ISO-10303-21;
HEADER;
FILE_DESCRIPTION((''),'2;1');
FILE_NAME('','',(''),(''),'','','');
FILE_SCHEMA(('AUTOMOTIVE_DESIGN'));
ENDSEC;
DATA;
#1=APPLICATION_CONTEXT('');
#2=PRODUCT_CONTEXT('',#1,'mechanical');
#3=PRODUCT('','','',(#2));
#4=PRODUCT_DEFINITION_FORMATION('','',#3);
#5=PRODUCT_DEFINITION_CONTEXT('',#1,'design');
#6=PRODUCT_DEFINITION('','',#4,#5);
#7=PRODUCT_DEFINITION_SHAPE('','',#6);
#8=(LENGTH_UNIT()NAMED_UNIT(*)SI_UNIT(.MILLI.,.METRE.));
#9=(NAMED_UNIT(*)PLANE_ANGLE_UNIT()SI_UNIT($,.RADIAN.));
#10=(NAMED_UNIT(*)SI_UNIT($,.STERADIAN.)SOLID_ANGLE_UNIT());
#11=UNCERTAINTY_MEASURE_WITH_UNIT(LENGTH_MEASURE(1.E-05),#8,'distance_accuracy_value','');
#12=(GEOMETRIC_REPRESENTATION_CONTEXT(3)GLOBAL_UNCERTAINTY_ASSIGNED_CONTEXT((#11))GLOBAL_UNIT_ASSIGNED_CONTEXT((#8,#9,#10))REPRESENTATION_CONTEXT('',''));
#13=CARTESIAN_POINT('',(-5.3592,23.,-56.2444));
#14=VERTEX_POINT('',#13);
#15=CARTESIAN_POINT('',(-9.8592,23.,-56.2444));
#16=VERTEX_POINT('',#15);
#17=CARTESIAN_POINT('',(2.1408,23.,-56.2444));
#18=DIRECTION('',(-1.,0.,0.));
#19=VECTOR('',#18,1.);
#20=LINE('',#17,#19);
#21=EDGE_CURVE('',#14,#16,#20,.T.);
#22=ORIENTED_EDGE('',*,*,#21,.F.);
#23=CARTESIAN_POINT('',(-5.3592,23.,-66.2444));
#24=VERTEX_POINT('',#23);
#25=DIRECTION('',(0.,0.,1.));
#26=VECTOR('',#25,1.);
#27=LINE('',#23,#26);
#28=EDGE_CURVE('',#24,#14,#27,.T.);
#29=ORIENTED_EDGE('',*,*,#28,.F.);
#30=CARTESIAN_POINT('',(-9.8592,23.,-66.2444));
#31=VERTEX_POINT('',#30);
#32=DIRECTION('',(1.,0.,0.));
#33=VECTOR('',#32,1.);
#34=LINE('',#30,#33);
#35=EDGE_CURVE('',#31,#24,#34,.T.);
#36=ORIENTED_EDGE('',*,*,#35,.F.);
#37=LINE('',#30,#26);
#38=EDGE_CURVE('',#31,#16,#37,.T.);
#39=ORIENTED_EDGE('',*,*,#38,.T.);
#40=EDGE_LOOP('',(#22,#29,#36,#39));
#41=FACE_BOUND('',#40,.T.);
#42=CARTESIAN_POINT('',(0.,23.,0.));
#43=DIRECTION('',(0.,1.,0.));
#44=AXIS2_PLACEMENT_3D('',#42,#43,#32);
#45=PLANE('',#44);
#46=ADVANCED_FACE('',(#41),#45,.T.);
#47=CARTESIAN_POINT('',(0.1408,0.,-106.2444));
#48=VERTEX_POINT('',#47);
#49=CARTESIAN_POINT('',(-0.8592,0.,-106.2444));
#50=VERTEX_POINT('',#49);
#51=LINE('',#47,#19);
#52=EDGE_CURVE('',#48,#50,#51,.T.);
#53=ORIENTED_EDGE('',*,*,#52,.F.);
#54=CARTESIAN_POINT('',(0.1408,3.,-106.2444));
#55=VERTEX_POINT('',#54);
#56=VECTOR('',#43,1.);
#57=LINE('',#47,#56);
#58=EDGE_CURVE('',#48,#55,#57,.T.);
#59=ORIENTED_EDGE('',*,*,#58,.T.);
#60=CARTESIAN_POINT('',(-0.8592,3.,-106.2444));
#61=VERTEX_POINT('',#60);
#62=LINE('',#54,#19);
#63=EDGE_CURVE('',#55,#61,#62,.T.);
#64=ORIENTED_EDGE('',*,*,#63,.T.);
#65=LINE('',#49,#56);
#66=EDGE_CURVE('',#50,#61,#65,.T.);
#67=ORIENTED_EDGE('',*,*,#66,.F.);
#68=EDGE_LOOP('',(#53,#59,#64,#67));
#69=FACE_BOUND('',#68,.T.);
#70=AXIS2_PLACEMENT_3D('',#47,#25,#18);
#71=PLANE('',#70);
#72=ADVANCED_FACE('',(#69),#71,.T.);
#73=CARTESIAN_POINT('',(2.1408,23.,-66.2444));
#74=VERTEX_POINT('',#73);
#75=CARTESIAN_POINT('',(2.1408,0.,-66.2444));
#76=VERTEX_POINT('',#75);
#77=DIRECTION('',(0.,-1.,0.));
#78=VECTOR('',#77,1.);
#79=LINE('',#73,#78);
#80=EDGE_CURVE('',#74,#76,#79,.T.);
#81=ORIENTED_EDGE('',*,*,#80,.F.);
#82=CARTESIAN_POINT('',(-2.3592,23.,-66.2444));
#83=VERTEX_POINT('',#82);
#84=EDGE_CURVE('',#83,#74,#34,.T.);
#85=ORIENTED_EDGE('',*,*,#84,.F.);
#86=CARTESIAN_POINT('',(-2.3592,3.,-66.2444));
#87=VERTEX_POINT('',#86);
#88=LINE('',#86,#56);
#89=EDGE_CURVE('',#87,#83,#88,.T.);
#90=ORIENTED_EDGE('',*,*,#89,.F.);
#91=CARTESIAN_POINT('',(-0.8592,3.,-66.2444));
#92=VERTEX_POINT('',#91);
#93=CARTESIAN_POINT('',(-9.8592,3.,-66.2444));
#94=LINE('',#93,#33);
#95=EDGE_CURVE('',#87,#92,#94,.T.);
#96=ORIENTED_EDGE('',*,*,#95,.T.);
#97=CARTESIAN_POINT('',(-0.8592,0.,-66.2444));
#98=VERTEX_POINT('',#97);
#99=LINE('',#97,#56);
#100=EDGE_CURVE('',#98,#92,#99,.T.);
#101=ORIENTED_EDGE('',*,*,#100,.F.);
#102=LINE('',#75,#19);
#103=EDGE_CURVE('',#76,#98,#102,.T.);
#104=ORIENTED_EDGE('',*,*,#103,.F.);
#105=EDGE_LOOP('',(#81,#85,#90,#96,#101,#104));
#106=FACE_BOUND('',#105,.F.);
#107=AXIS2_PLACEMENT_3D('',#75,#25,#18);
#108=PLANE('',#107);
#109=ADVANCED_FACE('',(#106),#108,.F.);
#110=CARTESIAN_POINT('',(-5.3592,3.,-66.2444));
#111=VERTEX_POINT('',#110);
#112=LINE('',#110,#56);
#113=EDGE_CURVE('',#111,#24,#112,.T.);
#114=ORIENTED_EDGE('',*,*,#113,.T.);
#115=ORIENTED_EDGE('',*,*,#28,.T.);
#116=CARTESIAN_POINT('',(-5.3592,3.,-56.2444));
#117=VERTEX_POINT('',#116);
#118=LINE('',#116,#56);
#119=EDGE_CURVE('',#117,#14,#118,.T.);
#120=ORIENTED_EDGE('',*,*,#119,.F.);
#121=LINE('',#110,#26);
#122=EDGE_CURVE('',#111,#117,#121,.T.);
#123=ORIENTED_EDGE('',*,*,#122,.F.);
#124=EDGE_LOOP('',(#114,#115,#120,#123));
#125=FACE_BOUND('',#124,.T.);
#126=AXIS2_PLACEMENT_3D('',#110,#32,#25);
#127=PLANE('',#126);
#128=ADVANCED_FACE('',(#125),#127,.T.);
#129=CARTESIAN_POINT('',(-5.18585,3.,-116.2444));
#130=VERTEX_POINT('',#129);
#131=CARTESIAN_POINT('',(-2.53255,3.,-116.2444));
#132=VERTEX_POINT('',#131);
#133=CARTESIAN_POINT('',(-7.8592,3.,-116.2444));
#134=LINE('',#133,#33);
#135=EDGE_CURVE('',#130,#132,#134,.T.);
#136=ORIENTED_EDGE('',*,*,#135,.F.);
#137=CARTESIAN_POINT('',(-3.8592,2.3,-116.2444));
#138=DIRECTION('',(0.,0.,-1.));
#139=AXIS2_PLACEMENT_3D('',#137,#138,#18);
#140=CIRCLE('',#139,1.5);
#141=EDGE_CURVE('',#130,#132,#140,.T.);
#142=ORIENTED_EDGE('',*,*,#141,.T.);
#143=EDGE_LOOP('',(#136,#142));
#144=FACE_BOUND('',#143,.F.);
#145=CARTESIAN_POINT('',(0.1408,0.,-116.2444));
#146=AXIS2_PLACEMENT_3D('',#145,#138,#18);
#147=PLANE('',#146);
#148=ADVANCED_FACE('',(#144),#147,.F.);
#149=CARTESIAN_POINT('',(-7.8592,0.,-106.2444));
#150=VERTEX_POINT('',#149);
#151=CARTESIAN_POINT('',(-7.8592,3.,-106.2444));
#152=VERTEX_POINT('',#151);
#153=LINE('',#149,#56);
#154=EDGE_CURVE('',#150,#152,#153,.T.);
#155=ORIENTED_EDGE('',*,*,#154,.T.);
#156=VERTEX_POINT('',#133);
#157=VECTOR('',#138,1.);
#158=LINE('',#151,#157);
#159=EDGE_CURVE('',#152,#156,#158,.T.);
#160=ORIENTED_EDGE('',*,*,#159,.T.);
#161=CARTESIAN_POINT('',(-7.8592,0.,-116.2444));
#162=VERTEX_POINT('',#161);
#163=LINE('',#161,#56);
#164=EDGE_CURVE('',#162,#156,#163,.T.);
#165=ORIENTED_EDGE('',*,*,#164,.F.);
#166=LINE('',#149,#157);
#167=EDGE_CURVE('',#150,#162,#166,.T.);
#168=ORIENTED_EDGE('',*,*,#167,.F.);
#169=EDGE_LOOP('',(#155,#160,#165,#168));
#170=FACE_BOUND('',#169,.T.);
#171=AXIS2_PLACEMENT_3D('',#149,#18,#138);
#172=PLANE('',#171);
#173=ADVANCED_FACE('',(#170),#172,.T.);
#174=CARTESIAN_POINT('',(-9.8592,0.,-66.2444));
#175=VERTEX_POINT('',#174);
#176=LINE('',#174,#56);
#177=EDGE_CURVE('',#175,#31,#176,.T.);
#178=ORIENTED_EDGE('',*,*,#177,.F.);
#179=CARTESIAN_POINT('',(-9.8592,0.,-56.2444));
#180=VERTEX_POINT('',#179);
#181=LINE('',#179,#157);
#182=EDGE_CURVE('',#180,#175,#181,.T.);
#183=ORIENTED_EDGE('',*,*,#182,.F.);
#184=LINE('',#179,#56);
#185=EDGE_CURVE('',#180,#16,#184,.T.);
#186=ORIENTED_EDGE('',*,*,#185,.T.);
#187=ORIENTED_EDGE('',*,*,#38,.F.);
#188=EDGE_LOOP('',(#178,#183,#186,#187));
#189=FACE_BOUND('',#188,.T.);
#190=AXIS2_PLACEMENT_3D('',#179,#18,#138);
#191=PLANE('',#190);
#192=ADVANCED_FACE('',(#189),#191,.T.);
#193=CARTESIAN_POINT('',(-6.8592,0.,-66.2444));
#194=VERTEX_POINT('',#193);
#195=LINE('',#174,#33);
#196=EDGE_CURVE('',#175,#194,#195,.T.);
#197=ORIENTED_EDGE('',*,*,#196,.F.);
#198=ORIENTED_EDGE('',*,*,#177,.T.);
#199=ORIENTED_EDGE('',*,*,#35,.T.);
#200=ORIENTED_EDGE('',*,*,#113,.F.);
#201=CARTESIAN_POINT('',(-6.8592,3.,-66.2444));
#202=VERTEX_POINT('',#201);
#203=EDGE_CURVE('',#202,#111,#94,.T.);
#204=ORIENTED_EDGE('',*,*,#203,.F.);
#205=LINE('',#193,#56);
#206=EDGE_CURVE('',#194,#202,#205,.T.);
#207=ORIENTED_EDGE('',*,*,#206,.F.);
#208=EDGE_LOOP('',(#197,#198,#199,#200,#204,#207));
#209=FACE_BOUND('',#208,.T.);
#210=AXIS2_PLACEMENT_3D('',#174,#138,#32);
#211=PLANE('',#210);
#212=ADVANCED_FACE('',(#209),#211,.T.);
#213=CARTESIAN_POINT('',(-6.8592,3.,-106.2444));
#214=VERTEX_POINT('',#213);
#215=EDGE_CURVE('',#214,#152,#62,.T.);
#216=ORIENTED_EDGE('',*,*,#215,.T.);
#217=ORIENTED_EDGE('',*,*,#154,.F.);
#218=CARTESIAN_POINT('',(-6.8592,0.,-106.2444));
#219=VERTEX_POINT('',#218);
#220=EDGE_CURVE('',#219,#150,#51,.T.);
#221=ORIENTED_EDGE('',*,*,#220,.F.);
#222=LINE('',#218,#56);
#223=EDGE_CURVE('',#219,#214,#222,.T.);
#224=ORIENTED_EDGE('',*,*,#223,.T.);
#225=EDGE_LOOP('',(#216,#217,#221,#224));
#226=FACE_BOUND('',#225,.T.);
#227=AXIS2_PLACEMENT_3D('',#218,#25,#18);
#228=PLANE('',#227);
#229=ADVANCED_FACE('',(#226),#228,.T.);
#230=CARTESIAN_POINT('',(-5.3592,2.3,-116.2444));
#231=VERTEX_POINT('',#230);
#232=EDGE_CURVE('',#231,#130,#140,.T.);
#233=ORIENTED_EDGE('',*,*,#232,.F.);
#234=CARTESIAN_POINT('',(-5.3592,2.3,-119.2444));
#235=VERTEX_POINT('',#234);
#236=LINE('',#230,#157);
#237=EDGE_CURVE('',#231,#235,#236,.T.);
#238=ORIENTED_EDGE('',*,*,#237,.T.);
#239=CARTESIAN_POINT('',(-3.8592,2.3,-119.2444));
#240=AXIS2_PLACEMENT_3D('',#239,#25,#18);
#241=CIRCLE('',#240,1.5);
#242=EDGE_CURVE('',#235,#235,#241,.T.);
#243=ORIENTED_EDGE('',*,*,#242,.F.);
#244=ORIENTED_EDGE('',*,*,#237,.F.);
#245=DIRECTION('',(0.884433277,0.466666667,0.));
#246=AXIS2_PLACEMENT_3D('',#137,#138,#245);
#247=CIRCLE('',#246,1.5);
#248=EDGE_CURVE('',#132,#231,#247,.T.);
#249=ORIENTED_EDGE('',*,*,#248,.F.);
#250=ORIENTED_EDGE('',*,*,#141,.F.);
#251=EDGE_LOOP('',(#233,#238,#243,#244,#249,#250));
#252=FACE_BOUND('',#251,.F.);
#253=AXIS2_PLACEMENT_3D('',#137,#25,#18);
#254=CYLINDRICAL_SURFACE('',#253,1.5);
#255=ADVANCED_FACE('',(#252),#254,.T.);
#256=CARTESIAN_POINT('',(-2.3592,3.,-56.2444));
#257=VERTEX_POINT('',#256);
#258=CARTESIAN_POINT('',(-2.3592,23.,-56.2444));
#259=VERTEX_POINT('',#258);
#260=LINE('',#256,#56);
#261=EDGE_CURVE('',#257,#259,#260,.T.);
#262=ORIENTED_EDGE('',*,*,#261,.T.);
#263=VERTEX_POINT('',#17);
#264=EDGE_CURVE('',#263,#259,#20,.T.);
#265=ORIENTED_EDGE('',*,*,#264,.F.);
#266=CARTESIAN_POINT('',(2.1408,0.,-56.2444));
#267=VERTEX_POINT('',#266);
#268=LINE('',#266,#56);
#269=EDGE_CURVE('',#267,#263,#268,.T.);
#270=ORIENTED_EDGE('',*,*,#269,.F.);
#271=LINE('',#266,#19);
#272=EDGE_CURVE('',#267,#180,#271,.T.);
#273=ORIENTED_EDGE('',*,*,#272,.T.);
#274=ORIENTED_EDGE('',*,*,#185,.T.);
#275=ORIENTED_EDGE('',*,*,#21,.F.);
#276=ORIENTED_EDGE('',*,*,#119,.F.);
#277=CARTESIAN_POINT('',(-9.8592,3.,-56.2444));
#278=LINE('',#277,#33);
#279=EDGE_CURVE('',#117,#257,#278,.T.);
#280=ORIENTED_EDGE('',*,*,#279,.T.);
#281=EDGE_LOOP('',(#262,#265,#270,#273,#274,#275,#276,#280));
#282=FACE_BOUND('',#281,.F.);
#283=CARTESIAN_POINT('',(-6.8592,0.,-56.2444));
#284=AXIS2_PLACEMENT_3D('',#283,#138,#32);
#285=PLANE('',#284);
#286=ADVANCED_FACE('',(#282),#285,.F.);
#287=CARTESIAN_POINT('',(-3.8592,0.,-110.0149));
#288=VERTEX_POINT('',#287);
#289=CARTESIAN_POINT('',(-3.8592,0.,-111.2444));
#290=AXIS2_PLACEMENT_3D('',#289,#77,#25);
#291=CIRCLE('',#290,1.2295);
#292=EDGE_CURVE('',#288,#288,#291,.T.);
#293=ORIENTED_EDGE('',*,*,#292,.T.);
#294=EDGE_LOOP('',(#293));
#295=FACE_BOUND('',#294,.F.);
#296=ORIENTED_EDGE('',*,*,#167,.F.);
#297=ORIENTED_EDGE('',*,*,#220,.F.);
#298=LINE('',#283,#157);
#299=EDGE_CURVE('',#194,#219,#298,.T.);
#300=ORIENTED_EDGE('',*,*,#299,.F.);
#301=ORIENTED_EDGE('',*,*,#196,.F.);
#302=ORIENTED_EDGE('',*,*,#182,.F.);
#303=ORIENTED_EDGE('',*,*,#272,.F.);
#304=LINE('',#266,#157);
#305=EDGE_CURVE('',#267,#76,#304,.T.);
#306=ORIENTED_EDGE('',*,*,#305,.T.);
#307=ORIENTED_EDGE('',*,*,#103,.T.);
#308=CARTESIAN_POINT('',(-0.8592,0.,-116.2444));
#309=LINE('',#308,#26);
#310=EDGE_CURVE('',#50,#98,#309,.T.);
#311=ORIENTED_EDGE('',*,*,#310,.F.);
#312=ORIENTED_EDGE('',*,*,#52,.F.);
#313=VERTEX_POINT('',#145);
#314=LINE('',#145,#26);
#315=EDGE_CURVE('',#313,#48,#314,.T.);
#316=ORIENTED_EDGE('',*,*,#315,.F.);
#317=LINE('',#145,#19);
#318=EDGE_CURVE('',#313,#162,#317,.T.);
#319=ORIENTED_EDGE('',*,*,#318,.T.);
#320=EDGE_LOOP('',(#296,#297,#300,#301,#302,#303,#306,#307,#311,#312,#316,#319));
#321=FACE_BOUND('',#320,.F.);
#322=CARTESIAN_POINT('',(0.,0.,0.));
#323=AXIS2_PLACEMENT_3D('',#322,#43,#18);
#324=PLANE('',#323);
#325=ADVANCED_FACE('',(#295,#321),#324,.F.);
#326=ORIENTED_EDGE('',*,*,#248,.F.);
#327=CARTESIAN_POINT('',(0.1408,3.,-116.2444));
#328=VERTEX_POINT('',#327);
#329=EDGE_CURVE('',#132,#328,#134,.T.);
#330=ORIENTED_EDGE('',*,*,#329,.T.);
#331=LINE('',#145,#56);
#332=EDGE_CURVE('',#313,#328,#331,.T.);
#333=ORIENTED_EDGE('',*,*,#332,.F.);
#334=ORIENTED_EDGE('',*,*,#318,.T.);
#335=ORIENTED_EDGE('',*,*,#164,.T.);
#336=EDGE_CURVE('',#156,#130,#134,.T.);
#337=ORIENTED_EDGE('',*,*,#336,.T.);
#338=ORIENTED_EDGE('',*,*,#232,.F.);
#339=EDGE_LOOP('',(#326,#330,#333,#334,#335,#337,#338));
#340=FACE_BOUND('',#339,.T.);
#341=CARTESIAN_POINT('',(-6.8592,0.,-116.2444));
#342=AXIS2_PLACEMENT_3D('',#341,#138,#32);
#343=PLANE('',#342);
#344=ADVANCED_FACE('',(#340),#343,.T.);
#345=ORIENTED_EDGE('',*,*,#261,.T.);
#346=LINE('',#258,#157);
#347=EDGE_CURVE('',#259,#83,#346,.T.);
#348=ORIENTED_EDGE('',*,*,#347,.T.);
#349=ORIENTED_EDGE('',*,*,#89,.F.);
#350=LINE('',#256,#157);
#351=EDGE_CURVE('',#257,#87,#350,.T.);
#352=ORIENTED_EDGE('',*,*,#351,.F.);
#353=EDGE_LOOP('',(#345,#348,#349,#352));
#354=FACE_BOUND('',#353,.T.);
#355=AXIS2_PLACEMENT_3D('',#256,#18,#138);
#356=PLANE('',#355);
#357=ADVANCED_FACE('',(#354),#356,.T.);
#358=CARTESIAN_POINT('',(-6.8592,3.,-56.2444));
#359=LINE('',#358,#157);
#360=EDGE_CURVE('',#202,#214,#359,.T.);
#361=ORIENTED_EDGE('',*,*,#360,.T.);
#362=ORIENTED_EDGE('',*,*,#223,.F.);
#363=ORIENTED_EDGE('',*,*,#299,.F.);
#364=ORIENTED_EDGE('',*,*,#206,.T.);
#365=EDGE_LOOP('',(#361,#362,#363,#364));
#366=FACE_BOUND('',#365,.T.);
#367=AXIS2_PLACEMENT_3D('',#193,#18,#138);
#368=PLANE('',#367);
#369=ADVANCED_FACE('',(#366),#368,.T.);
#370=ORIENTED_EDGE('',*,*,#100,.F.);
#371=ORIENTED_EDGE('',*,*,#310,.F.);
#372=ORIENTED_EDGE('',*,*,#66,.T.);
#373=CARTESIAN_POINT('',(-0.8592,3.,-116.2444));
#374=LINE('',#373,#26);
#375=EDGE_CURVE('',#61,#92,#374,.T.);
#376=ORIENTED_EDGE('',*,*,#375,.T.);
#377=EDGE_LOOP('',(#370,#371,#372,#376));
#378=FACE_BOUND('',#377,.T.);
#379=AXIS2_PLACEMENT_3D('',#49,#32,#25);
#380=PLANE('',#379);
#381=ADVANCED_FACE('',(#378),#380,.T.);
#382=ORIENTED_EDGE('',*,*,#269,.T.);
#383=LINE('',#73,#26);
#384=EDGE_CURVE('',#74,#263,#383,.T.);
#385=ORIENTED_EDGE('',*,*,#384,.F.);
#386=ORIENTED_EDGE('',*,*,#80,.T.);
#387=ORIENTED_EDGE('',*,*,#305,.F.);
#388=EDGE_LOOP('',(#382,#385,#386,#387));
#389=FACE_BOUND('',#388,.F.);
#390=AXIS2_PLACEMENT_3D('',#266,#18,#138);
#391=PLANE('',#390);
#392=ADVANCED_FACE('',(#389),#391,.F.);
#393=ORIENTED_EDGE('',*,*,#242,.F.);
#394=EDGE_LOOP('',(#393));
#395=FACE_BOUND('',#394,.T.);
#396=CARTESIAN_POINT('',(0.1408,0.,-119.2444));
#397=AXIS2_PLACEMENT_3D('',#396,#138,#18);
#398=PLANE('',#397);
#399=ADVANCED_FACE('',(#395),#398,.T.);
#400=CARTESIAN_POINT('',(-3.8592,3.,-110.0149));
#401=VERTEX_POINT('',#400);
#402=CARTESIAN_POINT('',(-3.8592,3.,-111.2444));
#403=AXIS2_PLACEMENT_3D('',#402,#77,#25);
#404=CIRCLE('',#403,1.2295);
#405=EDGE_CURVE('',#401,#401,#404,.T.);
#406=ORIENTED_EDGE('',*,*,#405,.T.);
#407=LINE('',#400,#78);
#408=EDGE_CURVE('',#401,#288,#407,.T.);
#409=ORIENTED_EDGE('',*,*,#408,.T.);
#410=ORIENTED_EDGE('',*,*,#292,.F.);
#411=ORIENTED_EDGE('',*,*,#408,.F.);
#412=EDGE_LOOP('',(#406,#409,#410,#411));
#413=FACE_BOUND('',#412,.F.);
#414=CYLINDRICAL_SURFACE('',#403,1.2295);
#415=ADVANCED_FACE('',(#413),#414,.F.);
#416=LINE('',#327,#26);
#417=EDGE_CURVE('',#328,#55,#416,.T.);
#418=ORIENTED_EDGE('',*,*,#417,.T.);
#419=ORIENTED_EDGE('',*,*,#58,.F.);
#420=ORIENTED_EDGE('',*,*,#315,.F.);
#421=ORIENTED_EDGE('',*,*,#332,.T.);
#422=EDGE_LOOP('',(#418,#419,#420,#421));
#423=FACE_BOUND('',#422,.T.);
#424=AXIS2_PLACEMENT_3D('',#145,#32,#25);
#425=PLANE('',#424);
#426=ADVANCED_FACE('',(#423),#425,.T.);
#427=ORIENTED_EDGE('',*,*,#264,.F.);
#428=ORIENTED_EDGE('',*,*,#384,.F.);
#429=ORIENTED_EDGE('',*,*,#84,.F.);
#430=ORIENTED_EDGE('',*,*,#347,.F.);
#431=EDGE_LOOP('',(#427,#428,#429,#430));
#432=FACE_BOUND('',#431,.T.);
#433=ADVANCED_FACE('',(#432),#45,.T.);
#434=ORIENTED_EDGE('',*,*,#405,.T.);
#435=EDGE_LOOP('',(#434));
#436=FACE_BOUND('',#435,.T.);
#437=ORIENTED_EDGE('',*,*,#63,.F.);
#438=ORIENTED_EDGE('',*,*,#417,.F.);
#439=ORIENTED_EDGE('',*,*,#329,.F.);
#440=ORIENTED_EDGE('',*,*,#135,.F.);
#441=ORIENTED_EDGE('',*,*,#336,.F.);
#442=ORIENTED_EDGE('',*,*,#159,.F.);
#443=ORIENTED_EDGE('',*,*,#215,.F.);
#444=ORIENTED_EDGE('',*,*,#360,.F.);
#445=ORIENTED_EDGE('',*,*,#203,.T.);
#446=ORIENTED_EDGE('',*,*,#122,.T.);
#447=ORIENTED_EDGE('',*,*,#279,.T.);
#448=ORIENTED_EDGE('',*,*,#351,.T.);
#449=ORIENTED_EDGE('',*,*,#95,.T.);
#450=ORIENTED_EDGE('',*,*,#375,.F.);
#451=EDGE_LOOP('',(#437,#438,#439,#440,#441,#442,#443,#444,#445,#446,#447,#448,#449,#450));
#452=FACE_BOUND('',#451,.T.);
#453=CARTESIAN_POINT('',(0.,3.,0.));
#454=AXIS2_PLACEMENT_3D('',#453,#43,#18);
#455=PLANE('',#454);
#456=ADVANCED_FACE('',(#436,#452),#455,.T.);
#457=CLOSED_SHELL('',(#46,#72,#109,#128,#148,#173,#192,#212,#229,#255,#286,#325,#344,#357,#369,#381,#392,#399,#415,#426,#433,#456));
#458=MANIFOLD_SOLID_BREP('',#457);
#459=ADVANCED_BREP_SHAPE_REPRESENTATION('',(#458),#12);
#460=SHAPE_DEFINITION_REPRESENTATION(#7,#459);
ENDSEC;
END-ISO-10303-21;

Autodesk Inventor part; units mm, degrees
ref_plane "YZ Plane" through (0, 0, 0) normal (1, 0, 0) x (0, 1, 0)
ref_plane "XZ Plane" through (0, 0, 0) normal (0, 1, 0) x (-1, 0, 0)
ref_plane "XY Plane" through (0, 0, 0) normal (0, 0, 1) x (1, 0, 0)
sketch "Skizze1" plane through (0, 0, 0) normal (0, 1, 0) x (-1, 0, 0)
  line L0 (6.8592, -116.2444) -> (0.8592, -116.2444)
  line L1 (0.8592, -116.2444) -> (0.8592, -56.2444)
  line L2 (6.8592, -56.2444) -> (6.8592, -116.2444)
  line L3 (7.8592, -116.2444) -> (-0.1408, -116.2444)
  line L4 (-0.1408, -116.2444) -> (-0.1408, -106.2444)
  line L5 (-0.1408, -106.2444) -> (7.8592, -106.2444)
  line L6 (7.8592, -106.2444) -> (7.8592, -116.2444)
  line L7 (3.8592, 157.3916) -> (3.8592, -262.6084)
  line L8 (6.8592, -56.2444) -> (0.8592, -56.2444)
  line L9 (0.8592, -56.2444) -> (-2.1408, -56.2444)
  line L10 (-2.1408, -56.2444) -> (-2.1408, -66.2444)
  line L11 (-2.1408, -66.2444) -> (0.8592, -66.2444)
  line L12 (0.8592, -66.2444) -> (0.8592, -56.2444)
  line L13 (6.8592, -56.2444) -> (9.8592, -56.2444)
  line L14 (9.8592, -56.2444) -> (9.8592, -66.2444)
  line L15 (9.8592, -66.2444) -> (6.8592, -66.2444)
  line L16 (6.8592, -66.2444) -> (6.8592, -56.2444)
  point P0 (0, 0)
  point P1 (0.8592, -106.2444)
  point P2 (6.8592, -106.2444)
  point P3 (6.8592, -116.2444)
  point P4 (3.8592, -116.2444)
  point P5 (6.8592, -66.2444)
  point P6 (0.8592, -66.2444)
  dimension "d1" = 60
  dimension "d9" = 6
  dimension "d25" = 8
  dimension "d26" = 10
  dimension "d27" = 1
  dimension "d44" = 3
  dimension "d45" = 10
  dimension "d46" = 3
extrude "Extrusion1" add sketch "Skizze1" along normal blind 3
sketch "Skizze2" plane through (0, 3, 0) normal (0, 1, 0) x (1, 0, 0)
  line L0 (-3.8592, 111.2444) -> (-6.8592, 111.2444) construction
  line L1 (-3.8592, 111.2444) -> (-0.8592, 111.2444) construction
  line L2 (-0.8592, 66.2444) -> (-0.8592, 106.2444) construction
  line L3 (-6.8592, 106.2444) -> (-6.8592, 66.2444) construction
  line L4 (0.1408, 116.2444) -> (-7.8592, 116.2444) projected
  point P0 (0, 0)
  point P1 (-0.8592, 56.2444)
  point P2 (-6.8592, 56.2444)
  point P3 (-0.8592, 16.2444)
  point P4 (-6.8592, 16.2444)
  dimension "d28" = 5
hole "Bohrung1" at (-3.8592, 3, -111.2444) direction (0, -1, 0) diameter 2.459 end through all thread size "M3x0.5" class "6H" standard "ANSI Metric M Profile"
sketch "Skizze3" plane through (0.1408, 0, -116.2444) normal (0, 0, -1) x (-1, 0, 0)
  line L0 (4, 0) -> (4, 2.3)
  circle A0 centre (4, 2.3) radius 1.5
  line L1 (0, 0) -> (8, 0) projected
  point P0 (0.1408, 0)
  dimension "d29" = 3
  dimension "d30" = 2.3
extrude "Extrusion2" add sketch "Skizze3" along normal blind 3
sketch "Skizze5" plane through (0, 3, 0) normal (0, 1, 0) x (1, 0, 0)
  line L0 (2.1408, 56.2444) -> (-9.8592, 56.2444)
  line L1 (-9.8592, 66.2444) -> (2.1408, 66.2444)
  line L2 (2.1408, 66.2444) -> (2.1408, 56.2444)
  line L3 (-5.3592, 56.2444) -> (-2.3592, 56.2444)
  line L4 (-2.3592, 56.2444) -> (-2.3592, 66.2444)
  line L5 (-2.3592, 66.2444) -> (-5.3592, 66.2444)
  line L6 (-5.3592, 66.2444) -> (-5.3592, 56.2444)
  line L7 (-5.3592, 61.2444) -> (-9.8592, 61.2444) construction
  line L8 (-2.3592, 61.2444) -> (2.1408, 61.2444) construction
  line L9 (-9.8592, 66.2444) -> (-9.8592, 56.2444)
  point P0 (0, 0)
  point P1 (-2.3592, 56.2444)
  dimension "d43" = 3
extrude "Extrusion4" add sketch "Skizze5" along normal blind 20 contours L0 L4 L1 L2 | L0 L9 L1 L6
properties part number "SchubstangeA" material "PC/ABS-Kunststoff, 3DDruck, PLA"
